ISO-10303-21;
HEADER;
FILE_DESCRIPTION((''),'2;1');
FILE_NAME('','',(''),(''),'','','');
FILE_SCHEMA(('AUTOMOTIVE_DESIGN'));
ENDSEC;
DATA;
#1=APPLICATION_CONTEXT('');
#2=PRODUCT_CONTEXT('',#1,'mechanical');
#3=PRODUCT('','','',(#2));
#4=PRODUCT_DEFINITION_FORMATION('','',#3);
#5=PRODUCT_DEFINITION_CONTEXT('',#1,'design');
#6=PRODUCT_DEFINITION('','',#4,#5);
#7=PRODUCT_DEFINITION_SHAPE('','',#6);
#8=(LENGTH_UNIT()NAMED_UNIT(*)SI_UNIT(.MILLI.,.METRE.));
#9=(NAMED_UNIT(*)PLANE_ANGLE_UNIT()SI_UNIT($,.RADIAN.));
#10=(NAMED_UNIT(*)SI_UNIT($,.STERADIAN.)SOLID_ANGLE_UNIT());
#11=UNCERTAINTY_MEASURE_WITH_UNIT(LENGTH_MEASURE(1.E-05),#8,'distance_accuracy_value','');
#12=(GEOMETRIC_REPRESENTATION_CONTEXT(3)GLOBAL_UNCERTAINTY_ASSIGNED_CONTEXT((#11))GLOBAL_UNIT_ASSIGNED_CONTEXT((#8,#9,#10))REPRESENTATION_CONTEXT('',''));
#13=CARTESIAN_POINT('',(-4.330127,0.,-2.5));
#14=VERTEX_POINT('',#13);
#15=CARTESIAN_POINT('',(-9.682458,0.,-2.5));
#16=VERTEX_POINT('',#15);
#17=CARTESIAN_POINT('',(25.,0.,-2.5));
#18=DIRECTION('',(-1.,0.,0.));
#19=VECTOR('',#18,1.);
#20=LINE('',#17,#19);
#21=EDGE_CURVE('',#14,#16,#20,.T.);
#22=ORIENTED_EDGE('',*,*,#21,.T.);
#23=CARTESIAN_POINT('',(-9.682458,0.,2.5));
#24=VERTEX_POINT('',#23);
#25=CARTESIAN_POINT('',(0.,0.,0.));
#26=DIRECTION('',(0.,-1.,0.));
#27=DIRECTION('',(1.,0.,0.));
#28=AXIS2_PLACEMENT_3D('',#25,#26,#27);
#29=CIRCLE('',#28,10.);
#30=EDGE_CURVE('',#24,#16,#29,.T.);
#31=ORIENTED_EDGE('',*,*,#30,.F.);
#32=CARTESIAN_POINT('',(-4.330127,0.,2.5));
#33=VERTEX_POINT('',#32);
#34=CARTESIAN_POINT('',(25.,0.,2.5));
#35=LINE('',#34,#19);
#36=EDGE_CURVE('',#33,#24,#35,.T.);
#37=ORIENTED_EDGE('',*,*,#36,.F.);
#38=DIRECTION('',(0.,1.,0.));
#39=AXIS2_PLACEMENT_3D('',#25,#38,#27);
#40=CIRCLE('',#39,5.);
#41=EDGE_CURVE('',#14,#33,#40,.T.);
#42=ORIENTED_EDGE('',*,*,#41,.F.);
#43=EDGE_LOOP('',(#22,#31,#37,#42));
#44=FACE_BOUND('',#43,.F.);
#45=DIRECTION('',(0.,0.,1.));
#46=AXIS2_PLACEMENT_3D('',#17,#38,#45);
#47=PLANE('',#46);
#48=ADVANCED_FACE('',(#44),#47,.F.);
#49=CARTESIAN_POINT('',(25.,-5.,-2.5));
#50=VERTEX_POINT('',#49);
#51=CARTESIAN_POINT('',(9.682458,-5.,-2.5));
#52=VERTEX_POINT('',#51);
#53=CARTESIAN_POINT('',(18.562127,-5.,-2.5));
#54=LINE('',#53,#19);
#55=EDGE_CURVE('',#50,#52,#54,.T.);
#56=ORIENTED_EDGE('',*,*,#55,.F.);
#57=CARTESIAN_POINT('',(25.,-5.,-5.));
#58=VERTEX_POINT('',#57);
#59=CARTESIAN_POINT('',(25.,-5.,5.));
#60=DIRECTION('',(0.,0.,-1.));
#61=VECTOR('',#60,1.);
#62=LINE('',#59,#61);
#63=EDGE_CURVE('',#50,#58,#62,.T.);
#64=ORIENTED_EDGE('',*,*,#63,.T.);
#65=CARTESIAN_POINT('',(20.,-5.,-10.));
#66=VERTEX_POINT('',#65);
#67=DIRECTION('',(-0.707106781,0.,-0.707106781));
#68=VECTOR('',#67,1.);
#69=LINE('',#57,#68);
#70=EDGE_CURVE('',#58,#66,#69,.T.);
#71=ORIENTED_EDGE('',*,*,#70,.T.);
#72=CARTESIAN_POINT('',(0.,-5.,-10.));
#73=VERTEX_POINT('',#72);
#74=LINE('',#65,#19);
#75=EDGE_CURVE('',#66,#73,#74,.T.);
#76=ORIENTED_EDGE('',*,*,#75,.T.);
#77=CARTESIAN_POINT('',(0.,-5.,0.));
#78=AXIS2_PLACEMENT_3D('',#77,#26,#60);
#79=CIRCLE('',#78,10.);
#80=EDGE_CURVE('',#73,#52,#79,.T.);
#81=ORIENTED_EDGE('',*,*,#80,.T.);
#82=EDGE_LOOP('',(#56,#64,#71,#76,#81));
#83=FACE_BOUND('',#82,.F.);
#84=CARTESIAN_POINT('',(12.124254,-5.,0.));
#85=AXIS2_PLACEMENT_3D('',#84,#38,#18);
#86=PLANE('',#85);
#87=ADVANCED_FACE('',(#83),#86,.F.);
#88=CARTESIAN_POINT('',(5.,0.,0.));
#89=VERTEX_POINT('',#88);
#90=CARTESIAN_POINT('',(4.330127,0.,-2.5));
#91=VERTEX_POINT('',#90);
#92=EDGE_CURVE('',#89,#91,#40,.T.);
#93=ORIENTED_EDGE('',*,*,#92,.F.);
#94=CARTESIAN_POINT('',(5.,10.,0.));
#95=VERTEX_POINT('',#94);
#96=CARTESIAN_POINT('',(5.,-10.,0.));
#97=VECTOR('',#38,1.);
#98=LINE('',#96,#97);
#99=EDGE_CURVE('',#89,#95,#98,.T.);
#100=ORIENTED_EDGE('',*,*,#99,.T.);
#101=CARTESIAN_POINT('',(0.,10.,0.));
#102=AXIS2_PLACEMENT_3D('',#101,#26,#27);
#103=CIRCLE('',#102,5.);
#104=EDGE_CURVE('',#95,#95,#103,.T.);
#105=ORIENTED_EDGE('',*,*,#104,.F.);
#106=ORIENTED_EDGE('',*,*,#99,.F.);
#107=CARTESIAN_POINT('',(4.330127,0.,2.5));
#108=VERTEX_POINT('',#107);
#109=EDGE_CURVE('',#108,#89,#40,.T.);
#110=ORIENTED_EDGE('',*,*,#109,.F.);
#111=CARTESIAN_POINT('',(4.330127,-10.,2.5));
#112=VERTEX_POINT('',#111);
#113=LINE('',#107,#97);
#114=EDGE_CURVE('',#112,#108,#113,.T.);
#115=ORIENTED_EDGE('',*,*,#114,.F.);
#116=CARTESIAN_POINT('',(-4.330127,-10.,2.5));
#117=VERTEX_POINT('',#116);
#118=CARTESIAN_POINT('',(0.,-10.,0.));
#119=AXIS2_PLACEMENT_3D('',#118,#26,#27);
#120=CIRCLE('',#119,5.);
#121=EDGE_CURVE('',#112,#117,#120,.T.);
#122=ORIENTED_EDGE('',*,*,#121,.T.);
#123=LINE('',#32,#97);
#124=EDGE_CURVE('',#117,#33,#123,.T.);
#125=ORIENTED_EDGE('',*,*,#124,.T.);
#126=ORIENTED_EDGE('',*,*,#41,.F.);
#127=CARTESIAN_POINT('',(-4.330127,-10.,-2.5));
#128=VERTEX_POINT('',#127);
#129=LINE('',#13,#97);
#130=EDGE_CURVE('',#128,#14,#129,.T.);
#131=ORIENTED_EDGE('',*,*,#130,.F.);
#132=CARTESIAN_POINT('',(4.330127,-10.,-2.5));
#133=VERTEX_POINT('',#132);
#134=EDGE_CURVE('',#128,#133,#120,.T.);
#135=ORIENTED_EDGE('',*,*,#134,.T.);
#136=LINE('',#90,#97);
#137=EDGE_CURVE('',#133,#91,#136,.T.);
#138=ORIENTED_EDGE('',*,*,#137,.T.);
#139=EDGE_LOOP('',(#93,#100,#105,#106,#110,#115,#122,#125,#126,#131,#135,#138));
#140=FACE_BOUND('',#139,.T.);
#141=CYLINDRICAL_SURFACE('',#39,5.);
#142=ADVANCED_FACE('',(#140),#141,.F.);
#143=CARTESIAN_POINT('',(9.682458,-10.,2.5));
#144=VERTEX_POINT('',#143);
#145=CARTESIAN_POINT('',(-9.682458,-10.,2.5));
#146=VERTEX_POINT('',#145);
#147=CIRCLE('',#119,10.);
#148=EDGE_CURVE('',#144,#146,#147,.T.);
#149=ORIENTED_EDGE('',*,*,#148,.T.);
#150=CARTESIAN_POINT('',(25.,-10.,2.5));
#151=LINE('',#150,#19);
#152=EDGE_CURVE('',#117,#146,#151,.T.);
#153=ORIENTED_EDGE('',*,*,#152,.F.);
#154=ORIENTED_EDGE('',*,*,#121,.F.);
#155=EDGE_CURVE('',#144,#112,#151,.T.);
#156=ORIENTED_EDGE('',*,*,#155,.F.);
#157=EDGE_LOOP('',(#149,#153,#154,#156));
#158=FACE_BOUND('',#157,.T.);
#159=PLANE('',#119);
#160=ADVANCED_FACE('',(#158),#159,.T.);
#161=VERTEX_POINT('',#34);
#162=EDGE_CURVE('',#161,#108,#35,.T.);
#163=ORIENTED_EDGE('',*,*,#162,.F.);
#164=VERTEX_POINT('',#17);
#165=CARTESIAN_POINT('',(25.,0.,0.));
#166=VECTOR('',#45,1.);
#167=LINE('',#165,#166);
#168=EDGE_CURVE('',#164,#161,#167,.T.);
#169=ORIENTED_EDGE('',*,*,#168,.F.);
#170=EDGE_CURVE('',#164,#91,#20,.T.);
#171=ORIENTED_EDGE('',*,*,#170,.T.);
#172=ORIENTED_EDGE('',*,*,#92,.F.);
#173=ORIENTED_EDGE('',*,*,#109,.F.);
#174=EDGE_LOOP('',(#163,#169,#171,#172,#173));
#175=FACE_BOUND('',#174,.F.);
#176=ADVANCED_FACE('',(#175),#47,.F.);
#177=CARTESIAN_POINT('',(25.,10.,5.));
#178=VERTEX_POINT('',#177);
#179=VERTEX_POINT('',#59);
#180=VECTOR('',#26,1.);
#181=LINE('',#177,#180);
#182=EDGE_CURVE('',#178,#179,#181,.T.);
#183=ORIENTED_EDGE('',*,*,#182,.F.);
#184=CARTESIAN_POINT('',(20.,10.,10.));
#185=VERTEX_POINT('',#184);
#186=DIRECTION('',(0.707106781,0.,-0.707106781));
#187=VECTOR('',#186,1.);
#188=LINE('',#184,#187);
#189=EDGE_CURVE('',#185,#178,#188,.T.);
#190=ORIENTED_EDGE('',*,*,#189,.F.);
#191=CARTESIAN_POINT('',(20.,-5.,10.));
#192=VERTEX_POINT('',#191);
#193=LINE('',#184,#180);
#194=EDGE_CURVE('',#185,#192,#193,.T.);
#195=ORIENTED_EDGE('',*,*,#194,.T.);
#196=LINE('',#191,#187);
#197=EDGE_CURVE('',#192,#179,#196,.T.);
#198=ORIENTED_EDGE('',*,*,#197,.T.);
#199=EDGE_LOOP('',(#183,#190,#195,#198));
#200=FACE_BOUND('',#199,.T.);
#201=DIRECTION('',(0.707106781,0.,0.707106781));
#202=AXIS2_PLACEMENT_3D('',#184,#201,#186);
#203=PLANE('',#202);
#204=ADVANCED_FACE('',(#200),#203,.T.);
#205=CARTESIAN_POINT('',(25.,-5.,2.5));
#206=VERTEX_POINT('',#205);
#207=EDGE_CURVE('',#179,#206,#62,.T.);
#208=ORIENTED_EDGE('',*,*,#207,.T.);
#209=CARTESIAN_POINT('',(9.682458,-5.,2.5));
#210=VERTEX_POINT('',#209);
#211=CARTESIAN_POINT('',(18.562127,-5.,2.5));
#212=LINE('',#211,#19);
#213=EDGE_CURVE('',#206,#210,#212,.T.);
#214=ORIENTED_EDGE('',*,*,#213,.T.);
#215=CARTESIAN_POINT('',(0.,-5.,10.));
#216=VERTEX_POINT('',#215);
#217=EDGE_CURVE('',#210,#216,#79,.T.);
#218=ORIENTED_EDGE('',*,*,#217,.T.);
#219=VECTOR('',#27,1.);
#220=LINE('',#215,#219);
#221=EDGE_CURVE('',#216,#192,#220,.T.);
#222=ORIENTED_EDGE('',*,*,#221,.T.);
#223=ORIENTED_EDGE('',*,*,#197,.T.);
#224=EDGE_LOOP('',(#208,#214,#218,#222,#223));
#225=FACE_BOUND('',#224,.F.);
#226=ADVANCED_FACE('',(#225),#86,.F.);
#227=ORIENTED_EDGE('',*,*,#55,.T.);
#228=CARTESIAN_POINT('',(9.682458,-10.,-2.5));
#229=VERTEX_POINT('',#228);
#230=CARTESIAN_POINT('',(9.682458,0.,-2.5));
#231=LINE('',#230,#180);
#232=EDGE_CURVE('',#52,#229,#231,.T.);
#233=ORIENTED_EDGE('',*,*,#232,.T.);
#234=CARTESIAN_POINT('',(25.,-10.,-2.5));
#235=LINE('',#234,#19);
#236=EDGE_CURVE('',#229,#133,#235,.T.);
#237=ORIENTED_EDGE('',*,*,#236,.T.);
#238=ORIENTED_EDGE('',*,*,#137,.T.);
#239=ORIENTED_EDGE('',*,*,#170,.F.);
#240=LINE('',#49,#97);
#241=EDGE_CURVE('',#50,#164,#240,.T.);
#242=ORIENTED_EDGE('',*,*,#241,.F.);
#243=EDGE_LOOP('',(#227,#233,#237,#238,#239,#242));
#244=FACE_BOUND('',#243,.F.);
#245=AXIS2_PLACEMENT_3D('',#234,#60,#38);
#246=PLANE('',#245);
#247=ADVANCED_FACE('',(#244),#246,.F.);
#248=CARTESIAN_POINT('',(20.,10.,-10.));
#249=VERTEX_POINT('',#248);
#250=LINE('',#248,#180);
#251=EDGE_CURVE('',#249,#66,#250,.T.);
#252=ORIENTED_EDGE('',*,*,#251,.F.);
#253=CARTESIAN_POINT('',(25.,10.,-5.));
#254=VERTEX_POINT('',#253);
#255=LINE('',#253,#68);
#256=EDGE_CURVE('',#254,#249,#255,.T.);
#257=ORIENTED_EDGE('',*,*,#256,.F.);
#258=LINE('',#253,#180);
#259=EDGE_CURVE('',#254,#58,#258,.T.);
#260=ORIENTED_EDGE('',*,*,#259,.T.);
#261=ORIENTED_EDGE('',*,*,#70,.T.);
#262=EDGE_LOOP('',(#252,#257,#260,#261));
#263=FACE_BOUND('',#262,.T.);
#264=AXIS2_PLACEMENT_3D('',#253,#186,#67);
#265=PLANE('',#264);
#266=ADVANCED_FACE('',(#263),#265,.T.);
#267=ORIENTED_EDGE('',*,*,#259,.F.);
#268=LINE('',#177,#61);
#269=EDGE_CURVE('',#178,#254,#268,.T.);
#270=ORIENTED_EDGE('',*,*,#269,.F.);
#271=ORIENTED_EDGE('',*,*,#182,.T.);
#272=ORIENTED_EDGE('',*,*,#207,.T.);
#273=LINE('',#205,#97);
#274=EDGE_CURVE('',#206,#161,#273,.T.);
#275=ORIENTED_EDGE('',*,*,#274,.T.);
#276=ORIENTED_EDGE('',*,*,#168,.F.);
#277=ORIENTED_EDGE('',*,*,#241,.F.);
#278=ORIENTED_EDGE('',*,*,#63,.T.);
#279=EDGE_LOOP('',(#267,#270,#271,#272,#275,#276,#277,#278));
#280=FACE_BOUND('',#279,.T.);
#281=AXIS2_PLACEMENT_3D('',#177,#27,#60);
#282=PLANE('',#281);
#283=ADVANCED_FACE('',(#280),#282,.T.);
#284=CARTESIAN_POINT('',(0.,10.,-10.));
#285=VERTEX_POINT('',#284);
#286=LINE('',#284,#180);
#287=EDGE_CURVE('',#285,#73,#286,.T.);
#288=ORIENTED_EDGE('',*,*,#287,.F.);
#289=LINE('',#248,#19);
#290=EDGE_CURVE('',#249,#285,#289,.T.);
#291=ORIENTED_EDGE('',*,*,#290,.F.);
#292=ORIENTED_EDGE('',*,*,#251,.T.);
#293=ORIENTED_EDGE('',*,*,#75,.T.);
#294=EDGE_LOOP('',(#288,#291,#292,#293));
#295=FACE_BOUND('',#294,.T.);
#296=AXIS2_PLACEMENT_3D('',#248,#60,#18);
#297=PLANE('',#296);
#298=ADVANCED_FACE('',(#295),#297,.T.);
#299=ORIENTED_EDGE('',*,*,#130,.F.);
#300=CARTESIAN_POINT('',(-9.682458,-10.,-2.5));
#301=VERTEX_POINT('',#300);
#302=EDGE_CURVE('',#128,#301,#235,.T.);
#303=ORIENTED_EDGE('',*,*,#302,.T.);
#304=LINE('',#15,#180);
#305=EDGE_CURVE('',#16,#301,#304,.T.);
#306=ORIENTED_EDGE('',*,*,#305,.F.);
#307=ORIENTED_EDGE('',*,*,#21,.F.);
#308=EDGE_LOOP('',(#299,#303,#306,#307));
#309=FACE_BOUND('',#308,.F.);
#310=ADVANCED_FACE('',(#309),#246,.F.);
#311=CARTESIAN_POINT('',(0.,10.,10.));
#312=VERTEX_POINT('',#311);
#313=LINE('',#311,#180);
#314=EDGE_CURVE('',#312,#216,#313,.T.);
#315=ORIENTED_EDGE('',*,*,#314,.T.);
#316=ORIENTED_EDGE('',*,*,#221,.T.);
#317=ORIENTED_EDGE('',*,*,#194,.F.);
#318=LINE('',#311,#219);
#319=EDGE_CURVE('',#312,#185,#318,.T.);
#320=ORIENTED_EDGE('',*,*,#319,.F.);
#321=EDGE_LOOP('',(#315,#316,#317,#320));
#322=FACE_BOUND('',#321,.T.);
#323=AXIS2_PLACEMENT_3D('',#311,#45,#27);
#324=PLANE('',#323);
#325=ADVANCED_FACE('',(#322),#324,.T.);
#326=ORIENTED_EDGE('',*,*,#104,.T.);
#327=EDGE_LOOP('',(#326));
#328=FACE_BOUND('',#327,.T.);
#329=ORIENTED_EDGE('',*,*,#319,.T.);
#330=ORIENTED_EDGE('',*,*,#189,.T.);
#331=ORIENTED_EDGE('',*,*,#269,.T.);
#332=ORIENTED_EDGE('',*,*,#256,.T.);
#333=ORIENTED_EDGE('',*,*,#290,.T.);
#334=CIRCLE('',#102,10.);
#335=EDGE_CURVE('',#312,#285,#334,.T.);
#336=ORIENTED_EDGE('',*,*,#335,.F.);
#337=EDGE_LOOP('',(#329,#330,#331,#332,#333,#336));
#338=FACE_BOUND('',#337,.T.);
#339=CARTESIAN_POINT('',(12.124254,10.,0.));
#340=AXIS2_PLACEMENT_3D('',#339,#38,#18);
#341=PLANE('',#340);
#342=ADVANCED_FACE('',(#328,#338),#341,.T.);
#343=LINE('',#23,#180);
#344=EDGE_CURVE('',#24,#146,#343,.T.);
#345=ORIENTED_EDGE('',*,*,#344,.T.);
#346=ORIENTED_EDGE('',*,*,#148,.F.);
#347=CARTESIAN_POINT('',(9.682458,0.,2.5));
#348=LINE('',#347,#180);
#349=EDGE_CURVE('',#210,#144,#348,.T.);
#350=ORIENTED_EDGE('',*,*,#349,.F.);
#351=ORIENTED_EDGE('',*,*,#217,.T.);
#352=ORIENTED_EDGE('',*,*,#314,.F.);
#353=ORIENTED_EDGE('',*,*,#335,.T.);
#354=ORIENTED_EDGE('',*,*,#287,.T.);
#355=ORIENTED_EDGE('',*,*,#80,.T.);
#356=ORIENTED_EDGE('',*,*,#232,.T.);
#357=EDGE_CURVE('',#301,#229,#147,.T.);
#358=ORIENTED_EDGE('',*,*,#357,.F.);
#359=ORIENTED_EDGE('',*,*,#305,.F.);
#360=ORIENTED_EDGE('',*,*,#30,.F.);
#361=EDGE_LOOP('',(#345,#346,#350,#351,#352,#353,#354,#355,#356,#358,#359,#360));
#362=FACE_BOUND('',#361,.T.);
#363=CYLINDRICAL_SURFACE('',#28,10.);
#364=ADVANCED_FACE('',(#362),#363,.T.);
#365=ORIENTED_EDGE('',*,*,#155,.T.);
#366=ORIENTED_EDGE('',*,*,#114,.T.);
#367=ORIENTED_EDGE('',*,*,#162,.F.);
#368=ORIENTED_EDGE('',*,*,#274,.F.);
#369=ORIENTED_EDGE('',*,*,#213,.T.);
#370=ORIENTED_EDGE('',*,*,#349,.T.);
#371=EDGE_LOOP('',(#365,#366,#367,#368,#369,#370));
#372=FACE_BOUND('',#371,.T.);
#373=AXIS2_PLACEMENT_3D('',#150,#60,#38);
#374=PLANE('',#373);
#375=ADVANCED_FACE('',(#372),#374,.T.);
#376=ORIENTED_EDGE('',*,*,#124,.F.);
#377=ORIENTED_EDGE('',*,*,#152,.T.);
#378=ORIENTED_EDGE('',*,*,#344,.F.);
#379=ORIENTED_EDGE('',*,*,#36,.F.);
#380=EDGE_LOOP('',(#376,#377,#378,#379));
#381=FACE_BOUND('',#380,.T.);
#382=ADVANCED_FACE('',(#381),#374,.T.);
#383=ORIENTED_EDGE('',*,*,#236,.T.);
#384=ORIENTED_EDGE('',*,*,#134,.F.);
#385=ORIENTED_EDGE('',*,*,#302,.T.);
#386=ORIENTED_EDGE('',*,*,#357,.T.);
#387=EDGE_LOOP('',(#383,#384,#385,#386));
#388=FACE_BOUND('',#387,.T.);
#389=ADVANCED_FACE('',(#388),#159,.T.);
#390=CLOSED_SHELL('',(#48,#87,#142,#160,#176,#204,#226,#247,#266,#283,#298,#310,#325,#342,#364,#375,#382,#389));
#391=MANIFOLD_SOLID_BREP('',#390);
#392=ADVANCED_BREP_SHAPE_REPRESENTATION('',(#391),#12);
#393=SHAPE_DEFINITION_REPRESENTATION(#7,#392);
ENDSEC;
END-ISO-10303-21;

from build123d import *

# Parameters (mm, degrees)
F0_R     = 10
F0_R_2   = 5
F1_DEPTH = 10
F3_DEPTH = 15
F4_W     = 10
F4_H     = 5
F5_DEPTH = 35.001


with BuildPart() as f1:
    # F0 (on Front) → F1 (new body, symmetric)
    with BuildSketch(Plane.XZ):
        Circle(F0_R)
        Circle(F0_R_2, mode=Mode.SUBTRACT)
    extrude(amount=F1_DEPTH, both=True)

    # F2 (on face) → F3 (join)
    with BuildSketch(Plane(origin=(0, 10, 0), x_dir=(-1, 0, 0), z_dir=(0, 1, 0))):
        with BuildLine():
            ThreePointArc((0, -10), (-10, 0), (0, 10))
            Line((0, 10), (-20, 10))
            Line((-20, 10), (-25, 5))
            Line((-25, 5), (-25, -5))
            Line((-25, -5), (-20, -10))
            Line((-20, -10), (0, -10))
        make_face()
    extrude(amount=-F3_DEPTH)

    # F4 (on face) → F5 (cut, through all)
    with BuildSketch(Plane.YZ.offset(25)):
        with Locations((-5, 0)):
            Rectangle(F4_W, F4_H)
    extrude(amount=-F5_DEPTH, mode=Mode.SUBTRACT)


solid = f1.part
